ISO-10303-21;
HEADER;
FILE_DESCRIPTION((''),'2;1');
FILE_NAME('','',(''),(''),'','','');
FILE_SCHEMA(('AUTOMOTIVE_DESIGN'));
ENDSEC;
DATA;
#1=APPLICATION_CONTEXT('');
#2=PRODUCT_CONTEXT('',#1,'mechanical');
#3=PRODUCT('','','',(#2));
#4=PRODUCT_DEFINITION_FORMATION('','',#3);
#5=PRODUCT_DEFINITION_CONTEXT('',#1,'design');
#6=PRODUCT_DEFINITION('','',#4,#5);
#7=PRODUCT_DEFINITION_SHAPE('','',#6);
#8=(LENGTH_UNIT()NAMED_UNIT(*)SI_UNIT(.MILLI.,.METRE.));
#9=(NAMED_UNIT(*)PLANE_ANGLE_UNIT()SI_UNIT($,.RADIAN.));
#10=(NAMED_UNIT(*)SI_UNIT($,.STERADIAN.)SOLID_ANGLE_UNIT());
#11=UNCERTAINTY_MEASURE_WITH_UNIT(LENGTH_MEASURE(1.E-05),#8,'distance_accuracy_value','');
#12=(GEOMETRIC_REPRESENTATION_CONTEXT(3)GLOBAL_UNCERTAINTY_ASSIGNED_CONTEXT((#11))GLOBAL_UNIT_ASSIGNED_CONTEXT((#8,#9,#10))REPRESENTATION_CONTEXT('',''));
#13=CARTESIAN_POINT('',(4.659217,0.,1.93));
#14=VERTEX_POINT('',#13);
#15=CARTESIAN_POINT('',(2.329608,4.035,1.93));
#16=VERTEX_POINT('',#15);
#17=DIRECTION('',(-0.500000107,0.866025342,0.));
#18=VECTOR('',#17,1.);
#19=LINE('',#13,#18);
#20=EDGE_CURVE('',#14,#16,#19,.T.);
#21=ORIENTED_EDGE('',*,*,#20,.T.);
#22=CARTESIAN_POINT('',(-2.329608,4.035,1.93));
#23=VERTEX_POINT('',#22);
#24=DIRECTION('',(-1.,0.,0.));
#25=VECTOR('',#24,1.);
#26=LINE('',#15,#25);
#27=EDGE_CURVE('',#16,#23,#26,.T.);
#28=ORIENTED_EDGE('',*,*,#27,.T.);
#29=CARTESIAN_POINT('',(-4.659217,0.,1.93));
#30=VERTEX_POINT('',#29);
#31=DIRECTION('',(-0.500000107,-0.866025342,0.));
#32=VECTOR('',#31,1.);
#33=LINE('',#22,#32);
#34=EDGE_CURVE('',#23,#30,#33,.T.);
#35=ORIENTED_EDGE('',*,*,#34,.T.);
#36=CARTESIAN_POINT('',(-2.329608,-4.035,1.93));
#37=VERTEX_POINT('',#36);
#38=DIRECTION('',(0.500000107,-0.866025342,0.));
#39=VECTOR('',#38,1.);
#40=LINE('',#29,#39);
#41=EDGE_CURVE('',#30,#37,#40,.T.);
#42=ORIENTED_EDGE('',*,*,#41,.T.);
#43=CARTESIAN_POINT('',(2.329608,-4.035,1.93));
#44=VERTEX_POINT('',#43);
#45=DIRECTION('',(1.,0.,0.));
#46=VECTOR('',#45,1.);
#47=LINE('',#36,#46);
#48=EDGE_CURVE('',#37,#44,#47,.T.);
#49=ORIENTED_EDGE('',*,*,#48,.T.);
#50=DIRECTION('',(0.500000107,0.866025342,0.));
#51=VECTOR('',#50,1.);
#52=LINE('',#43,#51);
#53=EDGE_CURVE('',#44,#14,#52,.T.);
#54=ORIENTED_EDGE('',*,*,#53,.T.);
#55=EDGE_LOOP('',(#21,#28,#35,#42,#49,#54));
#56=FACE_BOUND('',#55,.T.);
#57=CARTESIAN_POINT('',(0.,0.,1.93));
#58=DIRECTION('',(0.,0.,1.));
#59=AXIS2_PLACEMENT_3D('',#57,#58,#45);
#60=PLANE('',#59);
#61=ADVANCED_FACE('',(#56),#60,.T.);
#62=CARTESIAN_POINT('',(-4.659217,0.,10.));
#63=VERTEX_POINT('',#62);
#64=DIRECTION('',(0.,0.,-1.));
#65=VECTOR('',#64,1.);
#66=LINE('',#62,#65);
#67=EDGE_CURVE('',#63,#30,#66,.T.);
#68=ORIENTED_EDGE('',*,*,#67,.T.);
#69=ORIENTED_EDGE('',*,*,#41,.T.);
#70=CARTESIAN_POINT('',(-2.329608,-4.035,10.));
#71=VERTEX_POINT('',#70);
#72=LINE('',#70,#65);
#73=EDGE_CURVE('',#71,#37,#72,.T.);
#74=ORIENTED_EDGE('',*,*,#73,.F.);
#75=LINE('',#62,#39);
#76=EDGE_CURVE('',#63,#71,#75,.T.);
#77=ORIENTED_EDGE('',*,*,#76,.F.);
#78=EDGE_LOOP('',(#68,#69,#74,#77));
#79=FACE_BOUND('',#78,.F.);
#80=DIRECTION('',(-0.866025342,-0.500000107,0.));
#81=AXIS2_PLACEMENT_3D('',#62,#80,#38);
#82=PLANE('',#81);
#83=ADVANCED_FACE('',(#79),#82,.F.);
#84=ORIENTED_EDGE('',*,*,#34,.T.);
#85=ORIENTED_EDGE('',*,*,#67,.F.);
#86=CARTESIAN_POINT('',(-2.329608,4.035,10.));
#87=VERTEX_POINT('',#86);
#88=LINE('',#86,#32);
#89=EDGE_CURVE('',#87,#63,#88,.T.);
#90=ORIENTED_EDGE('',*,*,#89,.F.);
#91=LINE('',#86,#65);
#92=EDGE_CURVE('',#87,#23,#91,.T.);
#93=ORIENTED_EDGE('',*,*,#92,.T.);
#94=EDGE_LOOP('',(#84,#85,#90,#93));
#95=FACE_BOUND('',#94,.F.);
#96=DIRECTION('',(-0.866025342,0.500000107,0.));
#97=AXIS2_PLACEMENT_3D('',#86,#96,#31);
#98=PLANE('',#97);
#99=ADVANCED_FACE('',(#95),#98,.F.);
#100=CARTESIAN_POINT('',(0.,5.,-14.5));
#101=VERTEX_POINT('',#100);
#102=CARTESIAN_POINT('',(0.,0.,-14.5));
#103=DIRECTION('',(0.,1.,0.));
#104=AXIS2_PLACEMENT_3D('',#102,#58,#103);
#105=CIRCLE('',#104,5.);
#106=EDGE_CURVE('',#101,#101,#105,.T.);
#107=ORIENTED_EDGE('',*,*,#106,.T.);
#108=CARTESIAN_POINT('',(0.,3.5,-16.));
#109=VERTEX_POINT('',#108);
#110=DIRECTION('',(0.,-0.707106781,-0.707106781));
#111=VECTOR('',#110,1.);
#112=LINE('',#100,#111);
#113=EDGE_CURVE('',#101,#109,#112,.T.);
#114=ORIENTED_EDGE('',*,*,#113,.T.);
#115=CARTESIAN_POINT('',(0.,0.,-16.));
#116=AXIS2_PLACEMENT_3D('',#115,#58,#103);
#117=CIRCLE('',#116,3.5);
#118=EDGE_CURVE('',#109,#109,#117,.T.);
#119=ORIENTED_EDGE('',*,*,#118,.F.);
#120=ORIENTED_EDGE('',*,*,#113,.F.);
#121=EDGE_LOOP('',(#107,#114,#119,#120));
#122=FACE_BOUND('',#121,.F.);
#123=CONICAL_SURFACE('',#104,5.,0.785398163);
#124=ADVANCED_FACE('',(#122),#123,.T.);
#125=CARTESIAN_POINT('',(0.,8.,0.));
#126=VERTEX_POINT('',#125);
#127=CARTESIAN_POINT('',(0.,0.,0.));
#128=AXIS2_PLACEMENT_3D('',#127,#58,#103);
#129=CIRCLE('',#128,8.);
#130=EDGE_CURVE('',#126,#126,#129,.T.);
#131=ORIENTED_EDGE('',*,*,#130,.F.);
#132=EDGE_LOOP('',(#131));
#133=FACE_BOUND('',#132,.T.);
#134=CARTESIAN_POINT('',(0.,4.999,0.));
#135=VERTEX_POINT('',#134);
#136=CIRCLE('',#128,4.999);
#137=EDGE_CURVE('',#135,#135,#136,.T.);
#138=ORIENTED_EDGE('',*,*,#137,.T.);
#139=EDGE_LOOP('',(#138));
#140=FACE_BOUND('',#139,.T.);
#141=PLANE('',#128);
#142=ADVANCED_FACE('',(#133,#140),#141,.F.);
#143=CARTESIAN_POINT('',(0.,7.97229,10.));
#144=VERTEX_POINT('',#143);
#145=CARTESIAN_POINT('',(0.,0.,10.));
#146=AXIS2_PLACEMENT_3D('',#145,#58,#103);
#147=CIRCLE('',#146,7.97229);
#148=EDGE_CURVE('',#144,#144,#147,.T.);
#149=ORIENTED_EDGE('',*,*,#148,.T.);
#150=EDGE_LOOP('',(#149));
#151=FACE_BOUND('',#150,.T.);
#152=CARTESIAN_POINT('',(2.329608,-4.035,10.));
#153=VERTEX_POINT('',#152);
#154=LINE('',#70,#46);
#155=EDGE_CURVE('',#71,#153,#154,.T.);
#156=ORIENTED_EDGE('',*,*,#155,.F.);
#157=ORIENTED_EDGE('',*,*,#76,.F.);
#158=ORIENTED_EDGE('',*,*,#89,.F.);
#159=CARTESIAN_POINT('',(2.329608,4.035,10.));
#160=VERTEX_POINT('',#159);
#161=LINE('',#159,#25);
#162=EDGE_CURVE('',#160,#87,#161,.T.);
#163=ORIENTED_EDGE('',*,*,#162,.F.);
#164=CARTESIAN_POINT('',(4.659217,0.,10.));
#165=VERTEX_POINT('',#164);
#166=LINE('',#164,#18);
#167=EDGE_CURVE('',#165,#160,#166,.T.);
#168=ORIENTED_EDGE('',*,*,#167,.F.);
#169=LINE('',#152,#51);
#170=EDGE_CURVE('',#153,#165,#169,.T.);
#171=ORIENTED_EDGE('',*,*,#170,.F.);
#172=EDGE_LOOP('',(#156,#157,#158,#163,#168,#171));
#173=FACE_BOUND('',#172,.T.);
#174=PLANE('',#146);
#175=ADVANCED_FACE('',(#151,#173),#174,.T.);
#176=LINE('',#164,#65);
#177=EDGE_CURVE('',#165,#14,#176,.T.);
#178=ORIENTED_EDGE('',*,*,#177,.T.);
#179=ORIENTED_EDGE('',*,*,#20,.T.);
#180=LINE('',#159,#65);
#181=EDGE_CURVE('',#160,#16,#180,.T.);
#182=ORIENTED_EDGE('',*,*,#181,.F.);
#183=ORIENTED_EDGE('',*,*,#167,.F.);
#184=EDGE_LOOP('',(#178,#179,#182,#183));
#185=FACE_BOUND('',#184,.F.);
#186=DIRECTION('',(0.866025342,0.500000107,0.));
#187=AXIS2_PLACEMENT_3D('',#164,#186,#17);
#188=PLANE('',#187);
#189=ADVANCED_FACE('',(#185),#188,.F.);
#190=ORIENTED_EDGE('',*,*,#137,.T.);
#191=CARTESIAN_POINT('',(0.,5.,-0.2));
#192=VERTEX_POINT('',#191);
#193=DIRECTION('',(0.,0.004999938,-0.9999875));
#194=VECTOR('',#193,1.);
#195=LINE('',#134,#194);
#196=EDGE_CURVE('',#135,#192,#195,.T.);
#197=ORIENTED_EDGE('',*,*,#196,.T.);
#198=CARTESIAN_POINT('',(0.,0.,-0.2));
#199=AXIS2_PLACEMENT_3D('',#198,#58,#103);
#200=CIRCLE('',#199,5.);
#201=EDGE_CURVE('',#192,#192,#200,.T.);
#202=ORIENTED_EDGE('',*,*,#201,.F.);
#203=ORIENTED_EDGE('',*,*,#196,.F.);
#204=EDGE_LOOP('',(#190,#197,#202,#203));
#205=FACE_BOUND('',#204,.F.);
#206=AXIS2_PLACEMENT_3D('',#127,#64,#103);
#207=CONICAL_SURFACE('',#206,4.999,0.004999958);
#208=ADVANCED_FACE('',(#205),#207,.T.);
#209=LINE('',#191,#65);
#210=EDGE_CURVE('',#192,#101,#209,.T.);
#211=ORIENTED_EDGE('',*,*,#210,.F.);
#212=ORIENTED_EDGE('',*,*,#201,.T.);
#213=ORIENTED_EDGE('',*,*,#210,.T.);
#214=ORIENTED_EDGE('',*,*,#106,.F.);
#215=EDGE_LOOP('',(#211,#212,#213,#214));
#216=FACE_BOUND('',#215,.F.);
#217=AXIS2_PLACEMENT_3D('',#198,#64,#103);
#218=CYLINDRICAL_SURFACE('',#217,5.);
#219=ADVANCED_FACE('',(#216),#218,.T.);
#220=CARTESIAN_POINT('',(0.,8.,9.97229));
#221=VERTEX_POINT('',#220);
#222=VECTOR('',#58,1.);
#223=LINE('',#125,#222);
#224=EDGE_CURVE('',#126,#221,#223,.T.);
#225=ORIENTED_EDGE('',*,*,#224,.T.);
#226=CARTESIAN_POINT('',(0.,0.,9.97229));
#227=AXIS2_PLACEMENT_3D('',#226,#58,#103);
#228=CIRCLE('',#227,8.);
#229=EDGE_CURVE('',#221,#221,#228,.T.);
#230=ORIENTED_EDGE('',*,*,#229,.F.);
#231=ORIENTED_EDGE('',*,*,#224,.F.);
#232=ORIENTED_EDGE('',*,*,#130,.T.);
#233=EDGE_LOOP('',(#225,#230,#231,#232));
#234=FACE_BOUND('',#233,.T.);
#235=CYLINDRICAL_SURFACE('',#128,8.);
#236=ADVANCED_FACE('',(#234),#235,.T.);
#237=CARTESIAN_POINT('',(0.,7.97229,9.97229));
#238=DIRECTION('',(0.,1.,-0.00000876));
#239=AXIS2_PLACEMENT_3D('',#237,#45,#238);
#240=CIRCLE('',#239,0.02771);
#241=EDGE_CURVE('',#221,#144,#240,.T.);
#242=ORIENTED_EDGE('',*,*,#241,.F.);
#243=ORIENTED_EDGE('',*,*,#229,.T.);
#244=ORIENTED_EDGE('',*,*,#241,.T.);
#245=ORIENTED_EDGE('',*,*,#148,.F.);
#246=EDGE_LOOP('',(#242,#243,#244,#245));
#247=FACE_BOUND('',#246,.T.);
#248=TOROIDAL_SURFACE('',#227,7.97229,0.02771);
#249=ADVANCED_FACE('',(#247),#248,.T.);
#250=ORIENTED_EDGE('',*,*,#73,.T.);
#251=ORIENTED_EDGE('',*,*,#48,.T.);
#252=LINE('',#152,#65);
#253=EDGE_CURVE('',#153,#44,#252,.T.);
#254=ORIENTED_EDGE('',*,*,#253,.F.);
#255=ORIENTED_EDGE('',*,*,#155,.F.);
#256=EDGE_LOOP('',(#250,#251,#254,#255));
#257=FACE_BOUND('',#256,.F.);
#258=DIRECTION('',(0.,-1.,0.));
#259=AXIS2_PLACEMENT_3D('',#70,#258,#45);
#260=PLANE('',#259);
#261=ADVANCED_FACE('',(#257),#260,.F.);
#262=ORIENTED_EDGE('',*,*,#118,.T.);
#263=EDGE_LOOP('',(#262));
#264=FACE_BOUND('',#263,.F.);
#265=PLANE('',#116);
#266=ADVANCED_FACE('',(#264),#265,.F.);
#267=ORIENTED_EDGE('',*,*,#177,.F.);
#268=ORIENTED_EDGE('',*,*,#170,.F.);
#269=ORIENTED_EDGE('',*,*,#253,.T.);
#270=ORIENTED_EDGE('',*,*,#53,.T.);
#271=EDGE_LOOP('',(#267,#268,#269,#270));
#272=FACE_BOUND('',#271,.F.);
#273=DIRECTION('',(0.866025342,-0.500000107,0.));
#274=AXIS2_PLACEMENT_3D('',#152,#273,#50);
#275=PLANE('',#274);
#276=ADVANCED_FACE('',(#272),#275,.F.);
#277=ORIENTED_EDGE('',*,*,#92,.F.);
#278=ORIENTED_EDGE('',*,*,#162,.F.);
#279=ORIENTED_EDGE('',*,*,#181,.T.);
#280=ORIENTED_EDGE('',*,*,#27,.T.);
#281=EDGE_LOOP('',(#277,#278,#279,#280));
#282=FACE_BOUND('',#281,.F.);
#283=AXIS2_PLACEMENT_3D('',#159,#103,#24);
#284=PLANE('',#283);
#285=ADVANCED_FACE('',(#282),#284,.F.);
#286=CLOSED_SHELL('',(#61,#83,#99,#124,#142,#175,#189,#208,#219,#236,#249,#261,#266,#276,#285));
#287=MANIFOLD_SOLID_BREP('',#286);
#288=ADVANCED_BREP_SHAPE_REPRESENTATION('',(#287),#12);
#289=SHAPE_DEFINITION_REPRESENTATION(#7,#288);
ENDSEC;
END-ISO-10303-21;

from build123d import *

# Parameters (mm, degrees)
POCKET_DEPTH = 8.07


with BuildPart() as part:
    # Sketch → Revolve (revolve)
    with BuildSketch(Plane.YZ):
        with BuildLine():
            Line((4.999, 0), (8, 0))
            Line((8, 0), (8, 9.97229))
            ThreePointArc((8, 9.97229), (7.991884, 9.991884), (7.97229, 10))
            Line((7.97229, 10), (0, 10))
            Line((0, -16), (0, 10))
            Line((3.5, -16), (0, -16))
            Line((5, -14.5), (3.5, -16))
            Line((5, -0.2), (5, -14.5))
            Line((4.999, 0), (5, -0.2))
        make_face()
    revolve(axis=Axis((0, 0, 0), (0, 0, 1)))

    # Sketch001 → Pocket (cut)
    with BuildSketch(Plane.XY.offset(10)):
        Polygon((4.659217, 0), (2.329608, 4.035), (-2.329608, 4.035), (-4.659217, 0), (-2.329608, -4.035), (2.329608, -4.035), align=None)
    extrude(amount=-POCKET_DEPTH, mode=Mode.SUBTRACT)


solid = part.part
